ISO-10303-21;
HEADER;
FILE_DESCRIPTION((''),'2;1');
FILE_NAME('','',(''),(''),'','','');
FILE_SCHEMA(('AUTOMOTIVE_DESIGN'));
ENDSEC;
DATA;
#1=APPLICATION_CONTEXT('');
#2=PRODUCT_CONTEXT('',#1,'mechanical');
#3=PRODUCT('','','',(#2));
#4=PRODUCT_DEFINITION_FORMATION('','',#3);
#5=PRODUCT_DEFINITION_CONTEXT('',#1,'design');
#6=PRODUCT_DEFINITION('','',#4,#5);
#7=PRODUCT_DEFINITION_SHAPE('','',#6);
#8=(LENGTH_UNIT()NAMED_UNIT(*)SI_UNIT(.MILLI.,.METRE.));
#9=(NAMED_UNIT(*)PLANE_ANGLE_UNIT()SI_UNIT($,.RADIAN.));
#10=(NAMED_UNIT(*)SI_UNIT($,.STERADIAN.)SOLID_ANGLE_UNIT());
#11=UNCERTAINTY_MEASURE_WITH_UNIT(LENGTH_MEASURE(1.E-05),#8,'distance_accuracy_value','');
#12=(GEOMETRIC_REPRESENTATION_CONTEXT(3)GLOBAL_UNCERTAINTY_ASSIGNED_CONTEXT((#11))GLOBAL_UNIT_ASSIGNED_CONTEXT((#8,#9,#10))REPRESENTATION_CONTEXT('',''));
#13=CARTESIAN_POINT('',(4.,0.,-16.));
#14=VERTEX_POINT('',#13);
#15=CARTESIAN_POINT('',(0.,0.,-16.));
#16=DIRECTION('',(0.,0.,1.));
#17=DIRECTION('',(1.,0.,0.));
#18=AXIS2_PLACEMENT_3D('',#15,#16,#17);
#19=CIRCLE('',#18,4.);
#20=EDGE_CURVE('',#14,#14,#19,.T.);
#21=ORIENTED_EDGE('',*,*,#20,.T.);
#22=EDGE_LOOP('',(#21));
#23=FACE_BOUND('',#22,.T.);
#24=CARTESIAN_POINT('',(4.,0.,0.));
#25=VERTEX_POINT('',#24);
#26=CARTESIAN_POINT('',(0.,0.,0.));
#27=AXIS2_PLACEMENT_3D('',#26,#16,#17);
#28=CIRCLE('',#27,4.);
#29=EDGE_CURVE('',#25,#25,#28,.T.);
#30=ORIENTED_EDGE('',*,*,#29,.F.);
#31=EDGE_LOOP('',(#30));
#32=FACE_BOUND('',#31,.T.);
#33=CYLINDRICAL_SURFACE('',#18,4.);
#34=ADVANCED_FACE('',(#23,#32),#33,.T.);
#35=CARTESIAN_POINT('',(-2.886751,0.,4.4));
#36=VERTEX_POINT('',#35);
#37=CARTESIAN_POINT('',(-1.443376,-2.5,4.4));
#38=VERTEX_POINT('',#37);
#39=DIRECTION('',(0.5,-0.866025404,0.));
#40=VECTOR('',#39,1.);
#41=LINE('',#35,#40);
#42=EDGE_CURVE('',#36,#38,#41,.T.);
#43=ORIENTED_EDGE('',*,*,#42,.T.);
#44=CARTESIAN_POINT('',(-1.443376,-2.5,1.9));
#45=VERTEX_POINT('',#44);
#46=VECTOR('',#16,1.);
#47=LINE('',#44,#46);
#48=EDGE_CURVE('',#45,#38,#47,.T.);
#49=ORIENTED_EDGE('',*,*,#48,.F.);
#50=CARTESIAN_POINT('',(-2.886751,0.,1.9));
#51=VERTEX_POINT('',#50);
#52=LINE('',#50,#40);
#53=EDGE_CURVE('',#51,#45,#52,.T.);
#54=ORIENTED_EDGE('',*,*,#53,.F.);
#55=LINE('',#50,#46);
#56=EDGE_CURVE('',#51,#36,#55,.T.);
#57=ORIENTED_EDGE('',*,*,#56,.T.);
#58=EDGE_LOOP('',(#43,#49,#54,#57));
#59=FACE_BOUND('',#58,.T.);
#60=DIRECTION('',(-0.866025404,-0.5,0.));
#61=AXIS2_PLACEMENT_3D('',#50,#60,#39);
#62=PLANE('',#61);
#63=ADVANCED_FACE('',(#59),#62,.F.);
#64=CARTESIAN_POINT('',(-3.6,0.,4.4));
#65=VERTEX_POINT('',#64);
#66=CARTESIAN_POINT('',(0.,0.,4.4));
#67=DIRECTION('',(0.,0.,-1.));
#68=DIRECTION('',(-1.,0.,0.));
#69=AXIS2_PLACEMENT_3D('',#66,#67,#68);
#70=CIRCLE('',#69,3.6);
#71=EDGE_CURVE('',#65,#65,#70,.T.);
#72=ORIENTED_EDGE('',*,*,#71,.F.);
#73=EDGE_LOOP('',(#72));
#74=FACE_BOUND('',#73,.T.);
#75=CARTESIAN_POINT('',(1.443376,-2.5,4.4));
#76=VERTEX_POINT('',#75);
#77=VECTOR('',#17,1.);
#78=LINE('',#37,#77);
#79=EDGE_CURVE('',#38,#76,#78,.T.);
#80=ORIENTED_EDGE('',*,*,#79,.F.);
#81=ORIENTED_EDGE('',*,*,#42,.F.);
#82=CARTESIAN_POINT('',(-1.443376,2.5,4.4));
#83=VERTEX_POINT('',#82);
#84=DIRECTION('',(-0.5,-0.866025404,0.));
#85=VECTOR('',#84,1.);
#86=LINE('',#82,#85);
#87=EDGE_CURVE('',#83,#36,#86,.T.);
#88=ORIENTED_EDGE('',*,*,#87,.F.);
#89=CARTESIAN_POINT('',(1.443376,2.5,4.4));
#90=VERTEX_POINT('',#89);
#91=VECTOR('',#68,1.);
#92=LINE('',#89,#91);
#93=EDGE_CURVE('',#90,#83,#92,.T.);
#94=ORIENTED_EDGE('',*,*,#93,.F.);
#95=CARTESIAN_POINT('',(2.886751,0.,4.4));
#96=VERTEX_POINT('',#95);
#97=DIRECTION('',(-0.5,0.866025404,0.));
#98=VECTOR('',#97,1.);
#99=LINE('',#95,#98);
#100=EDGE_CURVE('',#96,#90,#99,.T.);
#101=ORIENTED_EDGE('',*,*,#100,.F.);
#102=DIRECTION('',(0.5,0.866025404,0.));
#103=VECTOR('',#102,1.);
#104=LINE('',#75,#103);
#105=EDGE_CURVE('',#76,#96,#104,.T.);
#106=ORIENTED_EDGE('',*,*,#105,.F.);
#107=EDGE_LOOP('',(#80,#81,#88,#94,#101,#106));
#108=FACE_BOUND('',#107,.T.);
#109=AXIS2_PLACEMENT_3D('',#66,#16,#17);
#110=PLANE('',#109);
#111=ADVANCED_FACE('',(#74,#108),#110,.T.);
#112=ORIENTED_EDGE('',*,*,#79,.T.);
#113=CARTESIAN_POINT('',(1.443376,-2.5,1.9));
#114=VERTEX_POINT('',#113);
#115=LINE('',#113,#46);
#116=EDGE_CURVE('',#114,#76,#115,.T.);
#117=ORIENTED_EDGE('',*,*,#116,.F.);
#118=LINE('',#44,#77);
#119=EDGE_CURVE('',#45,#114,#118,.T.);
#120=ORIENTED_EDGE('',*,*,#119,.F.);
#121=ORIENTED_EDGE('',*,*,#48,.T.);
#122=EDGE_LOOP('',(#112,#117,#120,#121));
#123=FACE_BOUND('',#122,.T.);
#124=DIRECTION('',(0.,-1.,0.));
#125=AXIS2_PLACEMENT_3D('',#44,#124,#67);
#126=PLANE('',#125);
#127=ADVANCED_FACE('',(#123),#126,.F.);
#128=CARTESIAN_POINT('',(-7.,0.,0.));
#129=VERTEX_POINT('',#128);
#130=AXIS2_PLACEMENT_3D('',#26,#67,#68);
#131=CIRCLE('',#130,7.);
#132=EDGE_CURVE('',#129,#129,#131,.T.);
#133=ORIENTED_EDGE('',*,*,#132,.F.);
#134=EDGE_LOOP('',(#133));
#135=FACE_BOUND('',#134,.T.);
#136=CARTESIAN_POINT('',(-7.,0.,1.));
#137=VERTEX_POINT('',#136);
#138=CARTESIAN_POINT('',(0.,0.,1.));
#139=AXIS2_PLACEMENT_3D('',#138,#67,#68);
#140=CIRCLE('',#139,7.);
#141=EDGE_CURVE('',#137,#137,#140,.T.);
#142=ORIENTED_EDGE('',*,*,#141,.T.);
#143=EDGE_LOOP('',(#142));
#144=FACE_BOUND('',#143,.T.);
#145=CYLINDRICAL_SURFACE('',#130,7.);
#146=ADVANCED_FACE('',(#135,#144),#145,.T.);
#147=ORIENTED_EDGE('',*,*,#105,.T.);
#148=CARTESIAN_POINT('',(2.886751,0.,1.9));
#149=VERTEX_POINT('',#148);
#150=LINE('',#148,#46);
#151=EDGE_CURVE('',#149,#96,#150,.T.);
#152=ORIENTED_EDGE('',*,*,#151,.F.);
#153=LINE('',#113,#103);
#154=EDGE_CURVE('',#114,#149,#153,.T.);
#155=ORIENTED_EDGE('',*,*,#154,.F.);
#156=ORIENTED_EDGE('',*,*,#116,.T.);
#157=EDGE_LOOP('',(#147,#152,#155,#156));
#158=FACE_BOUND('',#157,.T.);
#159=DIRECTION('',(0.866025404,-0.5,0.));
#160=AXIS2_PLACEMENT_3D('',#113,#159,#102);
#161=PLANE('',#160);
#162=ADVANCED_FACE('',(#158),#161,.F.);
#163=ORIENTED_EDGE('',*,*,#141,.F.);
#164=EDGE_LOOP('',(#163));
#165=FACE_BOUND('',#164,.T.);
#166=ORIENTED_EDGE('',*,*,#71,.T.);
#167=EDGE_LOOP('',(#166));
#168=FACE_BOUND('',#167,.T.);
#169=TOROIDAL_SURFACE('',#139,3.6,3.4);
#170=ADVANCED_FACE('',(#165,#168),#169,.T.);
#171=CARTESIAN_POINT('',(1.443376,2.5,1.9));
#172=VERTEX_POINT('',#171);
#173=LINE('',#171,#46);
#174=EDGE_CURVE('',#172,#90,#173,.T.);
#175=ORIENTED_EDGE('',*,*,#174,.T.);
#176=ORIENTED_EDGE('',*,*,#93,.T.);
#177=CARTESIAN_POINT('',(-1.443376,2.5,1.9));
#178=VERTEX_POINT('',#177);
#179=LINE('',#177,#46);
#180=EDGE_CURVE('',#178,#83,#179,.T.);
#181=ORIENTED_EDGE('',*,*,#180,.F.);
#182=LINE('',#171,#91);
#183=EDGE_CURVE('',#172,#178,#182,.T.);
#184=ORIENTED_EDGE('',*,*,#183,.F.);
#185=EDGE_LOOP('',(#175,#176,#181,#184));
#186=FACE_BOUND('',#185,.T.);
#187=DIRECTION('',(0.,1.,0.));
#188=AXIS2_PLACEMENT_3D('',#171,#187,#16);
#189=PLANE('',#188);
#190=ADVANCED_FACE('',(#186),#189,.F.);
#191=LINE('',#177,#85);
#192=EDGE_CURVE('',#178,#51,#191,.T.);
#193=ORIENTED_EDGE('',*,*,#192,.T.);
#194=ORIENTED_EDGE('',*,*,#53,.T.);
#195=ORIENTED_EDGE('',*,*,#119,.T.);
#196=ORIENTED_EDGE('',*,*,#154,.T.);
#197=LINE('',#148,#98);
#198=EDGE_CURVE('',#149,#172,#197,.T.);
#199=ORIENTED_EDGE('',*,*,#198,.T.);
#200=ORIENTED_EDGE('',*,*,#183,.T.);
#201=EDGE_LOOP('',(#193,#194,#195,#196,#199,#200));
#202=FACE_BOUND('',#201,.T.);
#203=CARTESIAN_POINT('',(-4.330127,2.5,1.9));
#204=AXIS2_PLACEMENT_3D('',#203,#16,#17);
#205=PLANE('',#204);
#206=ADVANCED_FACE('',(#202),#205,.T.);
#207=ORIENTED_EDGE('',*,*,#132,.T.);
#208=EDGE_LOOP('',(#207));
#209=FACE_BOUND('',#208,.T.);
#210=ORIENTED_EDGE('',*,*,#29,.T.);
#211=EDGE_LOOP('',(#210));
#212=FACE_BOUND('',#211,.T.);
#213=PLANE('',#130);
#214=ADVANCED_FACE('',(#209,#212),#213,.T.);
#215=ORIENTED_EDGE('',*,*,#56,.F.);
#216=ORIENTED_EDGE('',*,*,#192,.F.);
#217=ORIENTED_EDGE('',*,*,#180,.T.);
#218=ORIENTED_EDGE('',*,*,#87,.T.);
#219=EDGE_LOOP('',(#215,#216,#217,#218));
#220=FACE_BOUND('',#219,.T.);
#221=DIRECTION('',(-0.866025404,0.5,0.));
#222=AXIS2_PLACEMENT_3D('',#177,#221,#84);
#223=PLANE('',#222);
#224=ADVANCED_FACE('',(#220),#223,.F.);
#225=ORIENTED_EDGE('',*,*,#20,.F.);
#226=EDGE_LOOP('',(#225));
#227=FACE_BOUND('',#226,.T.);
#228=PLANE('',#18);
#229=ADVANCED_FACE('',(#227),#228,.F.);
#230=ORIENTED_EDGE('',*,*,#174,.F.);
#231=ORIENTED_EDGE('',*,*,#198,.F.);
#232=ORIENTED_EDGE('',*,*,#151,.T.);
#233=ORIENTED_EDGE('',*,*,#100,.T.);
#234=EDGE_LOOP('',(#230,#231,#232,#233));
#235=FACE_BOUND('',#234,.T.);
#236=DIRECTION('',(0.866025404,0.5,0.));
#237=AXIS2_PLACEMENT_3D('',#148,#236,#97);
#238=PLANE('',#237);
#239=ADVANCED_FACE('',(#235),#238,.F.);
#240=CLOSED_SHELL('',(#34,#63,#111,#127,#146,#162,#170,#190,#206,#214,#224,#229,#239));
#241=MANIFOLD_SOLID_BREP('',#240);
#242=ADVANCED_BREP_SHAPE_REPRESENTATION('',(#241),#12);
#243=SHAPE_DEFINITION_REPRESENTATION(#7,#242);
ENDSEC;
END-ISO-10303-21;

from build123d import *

# Parameters (mm, degrees)
SKETCH1_R          = 4
EXTRUDE1_DEPTH     = 16
CUT_EXTRUDE1_DEPTH = 2.5


with BuildPart() as part:
    # Sketch1 → Extrude1 (new body)
    with BuildSketch(Plane.XY):
        Circle(SKETCH1_R)
    extrude(amount=-EXTRUDE1_DEPTH)

    # Sketch2 → Revolve1 (revolve)
    with BuildSketch(Plane(origin=(0, 0, 0), x_dir=(0, 0, -1), z_dir=(1, 0, 0)), mode=Mode.PRIVATE) as revolve1_sk:
        with BuildLine():
            Line((0, 0), (0, 7))
            Line((0, 7), (-1, 7))
            ThreePointArc((-1, 7), (-3.404163056, 6.004163056), (-4.4, 3.6))
            Line((-4.4, 3.6), (-4.4, 0))
            Line((-4.4, 0), (0, 0))
        make_face()
    revolve(revolve1_sk.sketch.rotate(Axis((0, 0, 0), (0, 0, 1)), 90), axis=Axis((0, 0, 0), (0, 0, 1)))

    # Sketch3 → Cut-Extrude1 (cut)
    with BuildSketch(Plane.XY.offset(4.4)):
        Polygon((-1.443375673, 2.5), (-2.886751346, 0), (-1.443375673, -2.5), (1.443375673, -2.5), (2.886751346, 0), (1.443375673, 2.5), align=None)
    extrude(amount=-CUT_EXTRUDE1_DEPTH, mode=Mode.SUBTRACT)


solid = part.part
